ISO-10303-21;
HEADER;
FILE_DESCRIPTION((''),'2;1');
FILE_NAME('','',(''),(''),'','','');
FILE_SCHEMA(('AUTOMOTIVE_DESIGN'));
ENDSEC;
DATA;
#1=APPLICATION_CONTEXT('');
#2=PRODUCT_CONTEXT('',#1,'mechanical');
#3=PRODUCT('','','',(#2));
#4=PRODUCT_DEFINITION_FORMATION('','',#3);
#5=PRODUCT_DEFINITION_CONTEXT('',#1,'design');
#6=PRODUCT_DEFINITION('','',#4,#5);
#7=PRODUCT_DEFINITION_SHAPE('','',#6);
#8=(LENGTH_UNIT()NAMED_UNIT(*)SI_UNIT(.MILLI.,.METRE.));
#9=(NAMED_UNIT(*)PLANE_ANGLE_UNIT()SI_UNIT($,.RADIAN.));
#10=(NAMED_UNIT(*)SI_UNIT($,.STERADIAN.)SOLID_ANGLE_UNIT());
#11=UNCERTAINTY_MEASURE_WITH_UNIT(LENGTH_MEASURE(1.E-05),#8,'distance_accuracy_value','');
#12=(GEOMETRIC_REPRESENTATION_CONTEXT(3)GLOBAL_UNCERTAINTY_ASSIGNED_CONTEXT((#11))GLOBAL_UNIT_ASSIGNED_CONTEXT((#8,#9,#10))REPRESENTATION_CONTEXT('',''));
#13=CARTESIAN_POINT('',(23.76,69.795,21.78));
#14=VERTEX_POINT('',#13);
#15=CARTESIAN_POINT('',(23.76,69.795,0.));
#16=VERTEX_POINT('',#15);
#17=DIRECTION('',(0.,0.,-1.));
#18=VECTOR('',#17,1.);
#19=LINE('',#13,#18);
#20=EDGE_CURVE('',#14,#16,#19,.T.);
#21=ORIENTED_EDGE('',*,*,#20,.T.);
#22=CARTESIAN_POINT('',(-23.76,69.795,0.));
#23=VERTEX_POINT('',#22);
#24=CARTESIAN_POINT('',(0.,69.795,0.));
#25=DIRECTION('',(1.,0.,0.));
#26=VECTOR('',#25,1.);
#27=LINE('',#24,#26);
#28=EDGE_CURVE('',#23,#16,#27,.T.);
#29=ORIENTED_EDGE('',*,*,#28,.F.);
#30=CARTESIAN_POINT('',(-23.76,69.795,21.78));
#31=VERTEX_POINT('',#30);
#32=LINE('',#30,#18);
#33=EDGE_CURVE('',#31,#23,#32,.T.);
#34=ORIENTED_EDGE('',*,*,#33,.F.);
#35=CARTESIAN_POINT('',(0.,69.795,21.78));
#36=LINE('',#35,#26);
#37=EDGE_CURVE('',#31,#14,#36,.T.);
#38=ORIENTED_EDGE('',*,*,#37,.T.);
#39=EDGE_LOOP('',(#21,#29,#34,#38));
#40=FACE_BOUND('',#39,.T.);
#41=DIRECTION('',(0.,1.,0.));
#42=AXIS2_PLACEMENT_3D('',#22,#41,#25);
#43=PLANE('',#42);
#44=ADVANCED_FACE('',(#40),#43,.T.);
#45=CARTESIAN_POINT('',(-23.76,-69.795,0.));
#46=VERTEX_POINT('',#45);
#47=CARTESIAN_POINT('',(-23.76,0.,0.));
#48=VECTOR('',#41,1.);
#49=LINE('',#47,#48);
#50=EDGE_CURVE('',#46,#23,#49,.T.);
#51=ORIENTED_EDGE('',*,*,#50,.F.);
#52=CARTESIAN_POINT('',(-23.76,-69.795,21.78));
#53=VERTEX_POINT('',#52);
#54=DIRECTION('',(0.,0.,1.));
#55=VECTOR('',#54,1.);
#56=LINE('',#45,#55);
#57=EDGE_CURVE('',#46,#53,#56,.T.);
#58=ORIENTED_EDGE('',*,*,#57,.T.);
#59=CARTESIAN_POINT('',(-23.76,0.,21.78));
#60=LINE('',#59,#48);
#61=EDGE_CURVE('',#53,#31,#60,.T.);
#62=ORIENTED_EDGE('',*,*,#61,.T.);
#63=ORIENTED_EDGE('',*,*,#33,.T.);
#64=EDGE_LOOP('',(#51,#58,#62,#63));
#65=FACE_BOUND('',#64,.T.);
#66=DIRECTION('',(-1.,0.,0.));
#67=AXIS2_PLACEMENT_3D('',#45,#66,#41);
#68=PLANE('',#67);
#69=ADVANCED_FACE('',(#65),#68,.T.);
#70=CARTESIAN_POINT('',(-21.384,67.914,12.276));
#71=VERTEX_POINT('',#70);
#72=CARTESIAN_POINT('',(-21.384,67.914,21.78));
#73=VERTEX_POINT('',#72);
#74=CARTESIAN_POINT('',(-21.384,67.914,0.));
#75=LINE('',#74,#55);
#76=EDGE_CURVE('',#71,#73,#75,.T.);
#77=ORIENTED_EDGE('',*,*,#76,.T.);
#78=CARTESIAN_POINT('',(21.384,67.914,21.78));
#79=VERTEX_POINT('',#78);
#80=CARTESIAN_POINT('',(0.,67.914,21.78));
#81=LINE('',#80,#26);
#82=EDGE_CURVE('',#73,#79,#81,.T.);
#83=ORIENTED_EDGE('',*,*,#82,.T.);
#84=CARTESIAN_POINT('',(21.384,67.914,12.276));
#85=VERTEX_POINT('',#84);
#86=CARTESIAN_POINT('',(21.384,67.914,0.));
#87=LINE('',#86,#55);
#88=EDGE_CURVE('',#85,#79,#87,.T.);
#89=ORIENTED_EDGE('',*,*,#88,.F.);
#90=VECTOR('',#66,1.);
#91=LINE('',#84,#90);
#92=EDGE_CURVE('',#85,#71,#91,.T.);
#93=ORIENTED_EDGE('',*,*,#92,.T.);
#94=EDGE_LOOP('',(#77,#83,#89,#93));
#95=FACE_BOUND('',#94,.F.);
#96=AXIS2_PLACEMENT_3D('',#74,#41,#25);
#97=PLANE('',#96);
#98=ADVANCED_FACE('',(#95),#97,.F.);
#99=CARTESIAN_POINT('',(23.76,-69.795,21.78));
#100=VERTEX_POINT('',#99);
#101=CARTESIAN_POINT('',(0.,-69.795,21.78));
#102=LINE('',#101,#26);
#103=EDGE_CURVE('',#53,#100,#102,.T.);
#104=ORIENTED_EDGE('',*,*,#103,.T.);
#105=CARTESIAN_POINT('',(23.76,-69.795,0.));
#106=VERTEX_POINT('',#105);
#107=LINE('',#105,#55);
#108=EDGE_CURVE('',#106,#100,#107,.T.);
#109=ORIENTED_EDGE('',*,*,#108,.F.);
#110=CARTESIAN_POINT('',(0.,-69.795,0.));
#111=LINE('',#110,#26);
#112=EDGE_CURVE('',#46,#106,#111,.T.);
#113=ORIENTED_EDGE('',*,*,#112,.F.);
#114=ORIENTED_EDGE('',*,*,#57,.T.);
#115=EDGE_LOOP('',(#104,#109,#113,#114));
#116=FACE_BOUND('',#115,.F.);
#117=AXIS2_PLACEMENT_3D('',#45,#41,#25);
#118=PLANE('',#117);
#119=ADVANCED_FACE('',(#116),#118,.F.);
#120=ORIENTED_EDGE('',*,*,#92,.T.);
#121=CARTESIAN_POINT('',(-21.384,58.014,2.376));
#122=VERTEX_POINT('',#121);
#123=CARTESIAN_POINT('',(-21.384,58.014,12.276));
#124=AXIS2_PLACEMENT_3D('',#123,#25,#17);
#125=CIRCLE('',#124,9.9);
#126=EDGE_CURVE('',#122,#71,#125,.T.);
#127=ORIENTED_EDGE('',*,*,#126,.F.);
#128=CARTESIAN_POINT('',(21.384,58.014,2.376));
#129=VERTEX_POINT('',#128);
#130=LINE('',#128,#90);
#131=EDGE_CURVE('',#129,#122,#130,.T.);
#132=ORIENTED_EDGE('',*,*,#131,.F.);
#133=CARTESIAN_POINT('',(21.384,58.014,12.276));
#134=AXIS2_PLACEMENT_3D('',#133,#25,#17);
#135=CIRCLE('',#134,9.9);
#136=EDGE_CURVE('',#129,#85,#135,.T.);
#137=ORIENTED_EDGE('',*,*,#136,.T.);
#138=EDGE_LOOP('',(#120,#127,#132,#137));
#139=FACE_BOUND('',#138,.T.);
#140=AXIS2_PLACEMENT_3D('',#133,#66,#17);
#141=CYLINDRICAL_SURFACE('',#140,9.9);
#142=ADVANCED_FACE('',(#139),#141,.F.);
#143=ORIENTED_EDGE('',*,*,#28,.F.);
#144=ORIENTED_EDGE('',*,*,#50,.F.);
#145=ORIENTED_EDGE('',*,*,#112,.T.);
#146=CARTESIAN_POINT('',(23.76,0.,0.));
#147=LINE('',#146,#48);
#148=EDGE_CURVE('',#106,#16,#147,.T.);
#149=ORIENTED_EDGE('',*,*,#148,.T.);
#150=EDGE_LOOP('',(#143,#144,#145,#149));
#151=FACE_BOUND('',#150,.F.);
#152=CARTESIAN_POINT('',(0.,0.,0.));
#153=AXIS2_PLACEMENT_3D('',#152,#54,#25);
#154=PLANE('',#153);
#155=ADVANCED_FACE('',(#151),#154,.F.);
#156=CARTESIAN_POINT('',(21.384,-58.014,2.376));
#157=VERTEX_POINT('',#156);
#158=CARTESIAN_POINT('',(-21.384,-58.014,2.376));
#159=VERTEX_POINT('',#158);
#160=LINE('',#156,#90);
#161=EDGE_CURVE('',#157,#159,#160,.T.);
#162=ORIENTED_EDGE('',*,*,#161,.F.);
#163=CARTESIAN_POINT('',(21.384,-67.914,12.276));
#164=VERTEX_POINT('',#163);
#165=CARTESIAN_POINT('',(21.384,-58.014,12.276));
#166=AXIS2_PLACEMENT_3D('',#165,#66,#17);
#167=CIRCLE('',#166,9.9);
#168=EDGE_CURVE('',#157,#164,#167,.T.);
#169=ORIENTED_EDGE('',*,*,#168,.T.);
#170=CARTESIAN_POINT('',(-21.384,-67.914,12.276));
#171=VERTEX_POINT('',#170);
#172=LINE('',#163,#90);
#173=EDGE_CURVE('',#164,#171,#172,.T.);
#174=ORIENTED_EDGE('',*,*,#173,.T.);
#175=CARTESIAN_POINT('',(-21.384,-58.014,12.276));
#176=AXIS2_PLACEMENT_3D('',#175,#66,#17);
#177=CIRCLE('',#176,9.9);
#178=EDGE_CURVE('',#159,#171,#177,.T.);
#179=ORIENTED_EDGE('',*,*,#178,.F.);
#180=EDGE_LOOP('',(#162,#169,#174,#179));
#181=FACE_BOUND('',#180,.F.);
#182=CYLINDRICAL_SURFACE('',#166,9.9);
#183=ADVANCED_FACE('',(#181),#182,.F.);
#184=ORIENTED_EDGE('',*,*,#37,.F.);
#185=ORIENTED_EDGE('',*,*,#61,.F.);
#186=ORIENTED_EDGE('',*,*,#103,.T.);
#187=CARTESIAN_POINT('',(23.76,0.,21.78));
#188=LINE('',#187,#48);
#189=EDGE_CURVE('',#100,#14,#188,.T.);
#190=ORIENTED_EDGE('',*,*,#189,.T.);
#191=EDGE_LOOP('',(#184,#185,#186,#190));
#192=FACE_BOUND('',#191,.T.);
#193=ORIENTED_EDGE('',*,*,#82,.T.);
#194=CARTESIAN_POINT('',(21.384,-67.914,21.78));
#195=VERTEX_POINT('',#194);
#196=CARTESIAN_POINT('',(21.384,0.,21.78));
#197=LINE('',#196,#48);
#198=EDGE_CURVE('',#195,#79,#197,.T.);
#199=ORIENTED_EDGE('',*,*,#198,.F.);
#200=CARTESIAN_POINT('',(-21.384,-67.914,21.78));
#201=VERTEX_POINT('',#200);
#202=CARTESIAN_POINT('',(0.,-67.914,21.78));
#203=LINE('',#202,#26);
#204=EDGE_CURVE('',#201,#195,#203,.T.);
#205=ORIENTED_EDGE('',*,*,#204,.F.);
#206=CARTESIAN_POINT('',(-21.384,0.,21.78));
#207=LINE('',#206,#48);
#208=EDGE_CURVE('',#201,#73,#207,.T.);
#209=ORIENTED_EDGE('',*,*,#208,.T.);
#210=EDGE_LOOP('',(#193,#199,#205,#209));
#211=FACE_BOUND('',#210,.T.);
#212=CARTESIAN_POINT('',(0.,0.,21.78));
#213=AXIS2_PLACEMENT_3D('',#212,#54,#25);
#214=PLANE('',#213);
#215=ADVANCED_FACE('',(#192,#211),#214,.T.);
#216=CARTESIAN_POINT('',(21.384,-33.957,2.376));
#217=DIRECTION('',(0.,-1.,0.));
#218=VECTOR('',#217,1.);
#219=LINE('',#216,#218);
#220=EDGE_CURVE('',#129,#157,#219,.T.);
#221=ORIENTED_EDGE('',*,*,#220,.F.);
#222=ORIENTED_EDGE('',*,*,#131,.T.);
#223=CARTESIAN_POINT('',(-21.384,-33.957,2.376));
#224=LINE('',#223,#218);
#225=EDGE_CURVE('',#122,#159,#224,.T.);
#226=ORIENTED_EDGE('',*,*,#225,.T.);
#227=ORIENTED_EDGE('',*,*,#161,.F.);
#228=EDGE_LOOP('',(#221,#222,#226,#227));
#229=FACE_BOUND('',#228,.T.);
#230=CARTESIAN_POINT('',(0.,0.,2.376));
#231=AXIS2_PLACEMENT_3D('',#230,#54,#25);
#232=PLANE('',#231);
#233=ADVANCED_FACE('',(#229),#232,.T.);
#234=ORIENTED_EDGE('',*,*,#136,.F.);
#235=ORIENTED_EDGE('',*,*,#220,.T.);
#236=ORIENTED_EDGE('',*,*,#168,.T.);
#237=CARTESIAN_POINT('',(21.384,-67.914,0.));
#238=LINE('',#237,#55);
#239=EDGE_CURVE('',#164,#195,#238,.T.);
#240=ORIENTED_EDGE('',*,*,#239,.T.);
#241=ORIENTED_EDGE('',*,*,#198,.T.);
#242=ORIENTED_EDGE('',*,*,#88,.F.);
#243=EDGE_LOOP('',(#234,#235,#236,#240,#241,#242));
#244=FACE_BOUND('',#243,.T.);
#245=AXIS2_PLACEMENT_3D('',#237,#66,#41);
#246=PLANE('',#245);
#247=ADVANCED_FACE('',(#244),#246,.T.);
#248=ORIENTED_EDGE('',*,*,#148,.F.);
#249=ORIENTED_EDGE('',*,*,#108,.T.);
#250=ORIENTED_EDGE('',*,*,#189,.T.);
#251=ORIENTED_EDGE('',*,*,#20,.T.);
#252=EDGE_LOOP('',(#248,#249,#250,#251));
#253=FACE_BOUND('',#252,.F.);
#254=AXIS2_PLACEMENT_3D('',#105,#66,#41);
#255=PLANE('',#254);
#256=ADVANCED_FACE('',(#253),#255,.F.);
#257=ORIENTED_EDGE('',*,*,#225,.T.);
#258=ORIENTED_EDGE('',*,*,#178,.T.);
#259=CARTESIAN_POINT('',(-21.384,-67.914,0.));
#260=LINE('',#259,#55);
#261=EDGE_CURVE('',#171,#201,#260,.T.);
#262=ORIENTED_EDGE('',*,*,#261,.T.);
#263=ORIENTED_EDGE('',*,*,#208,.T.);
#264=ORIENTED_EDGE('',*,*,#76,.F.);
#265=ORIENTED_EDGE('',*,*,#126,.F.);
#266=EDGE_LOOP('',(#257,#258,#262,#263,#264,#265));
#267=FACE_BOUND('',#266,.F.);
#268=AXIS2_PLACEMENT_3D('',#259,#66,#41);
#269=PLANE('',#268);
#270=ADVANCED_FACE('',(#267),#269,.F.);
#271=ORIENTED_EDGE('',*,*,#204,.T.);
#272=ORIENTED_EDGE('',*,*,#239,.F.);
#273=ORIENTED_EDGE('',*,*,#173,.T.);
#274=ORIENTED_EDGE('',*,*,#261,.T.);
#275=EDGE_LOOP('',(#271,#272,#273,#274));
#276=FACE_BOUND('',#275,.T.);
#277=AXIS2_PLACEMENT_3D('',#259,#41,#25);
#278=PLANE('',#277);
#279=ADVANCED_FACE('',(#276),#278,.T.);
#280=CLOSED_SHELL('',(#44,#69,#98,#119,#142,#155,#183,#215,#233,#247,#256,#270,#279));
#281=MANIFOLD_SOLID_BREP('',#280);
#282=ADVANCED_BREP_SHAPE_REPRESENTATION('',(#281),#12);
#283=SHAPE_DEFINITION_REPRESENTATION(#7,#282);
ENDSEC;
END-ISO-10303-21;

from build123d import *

# Parameters (mm, degrees)
F0_W     = 48
F0_H     = 141
F0_W_2   = 43.2
F0_H_2   = 137.2
F1_DEPTH = 2.4
F2_DEPTH = 22
F3_R     = 10
F4_SCALE = 0.99


with BuildPart() as f1:
    # F0 (on Top) → F1 (new body)
    with BuildSketch(Plane.XY):
        Rectangle(F0_W, F0_H)
        Rectangle(F0_W_2, F0_H_2, mode=Mode.SUBTRACT)
        Rectangle(F0_W_2, F0_H_2)
    extrude(amount=F1_DEPTH)

    # F0 (on Top) → F2 (join)
    with BuildSketch(Plane.XY):
        Rectangle(F0_W, F0_H)
        Rectangle(F0_W_2, F0_H_2, mode=Mode.SUBTRACT)
    extrude(amount=F2_DEPTH)

    # F3
    f3_edges = [f1.edges().sort_by_distance(p)[0] for p in [
        (0, -68.6, 2.4),
        (0, 68.6, 2.4),
    ]]
    fillet(f3_edges, radius=F3_R)


with BuildPart() as f1_1:
    # F4: moved
    add(f1.part.scale(F4_SCALE))


solid = f1_1.part
